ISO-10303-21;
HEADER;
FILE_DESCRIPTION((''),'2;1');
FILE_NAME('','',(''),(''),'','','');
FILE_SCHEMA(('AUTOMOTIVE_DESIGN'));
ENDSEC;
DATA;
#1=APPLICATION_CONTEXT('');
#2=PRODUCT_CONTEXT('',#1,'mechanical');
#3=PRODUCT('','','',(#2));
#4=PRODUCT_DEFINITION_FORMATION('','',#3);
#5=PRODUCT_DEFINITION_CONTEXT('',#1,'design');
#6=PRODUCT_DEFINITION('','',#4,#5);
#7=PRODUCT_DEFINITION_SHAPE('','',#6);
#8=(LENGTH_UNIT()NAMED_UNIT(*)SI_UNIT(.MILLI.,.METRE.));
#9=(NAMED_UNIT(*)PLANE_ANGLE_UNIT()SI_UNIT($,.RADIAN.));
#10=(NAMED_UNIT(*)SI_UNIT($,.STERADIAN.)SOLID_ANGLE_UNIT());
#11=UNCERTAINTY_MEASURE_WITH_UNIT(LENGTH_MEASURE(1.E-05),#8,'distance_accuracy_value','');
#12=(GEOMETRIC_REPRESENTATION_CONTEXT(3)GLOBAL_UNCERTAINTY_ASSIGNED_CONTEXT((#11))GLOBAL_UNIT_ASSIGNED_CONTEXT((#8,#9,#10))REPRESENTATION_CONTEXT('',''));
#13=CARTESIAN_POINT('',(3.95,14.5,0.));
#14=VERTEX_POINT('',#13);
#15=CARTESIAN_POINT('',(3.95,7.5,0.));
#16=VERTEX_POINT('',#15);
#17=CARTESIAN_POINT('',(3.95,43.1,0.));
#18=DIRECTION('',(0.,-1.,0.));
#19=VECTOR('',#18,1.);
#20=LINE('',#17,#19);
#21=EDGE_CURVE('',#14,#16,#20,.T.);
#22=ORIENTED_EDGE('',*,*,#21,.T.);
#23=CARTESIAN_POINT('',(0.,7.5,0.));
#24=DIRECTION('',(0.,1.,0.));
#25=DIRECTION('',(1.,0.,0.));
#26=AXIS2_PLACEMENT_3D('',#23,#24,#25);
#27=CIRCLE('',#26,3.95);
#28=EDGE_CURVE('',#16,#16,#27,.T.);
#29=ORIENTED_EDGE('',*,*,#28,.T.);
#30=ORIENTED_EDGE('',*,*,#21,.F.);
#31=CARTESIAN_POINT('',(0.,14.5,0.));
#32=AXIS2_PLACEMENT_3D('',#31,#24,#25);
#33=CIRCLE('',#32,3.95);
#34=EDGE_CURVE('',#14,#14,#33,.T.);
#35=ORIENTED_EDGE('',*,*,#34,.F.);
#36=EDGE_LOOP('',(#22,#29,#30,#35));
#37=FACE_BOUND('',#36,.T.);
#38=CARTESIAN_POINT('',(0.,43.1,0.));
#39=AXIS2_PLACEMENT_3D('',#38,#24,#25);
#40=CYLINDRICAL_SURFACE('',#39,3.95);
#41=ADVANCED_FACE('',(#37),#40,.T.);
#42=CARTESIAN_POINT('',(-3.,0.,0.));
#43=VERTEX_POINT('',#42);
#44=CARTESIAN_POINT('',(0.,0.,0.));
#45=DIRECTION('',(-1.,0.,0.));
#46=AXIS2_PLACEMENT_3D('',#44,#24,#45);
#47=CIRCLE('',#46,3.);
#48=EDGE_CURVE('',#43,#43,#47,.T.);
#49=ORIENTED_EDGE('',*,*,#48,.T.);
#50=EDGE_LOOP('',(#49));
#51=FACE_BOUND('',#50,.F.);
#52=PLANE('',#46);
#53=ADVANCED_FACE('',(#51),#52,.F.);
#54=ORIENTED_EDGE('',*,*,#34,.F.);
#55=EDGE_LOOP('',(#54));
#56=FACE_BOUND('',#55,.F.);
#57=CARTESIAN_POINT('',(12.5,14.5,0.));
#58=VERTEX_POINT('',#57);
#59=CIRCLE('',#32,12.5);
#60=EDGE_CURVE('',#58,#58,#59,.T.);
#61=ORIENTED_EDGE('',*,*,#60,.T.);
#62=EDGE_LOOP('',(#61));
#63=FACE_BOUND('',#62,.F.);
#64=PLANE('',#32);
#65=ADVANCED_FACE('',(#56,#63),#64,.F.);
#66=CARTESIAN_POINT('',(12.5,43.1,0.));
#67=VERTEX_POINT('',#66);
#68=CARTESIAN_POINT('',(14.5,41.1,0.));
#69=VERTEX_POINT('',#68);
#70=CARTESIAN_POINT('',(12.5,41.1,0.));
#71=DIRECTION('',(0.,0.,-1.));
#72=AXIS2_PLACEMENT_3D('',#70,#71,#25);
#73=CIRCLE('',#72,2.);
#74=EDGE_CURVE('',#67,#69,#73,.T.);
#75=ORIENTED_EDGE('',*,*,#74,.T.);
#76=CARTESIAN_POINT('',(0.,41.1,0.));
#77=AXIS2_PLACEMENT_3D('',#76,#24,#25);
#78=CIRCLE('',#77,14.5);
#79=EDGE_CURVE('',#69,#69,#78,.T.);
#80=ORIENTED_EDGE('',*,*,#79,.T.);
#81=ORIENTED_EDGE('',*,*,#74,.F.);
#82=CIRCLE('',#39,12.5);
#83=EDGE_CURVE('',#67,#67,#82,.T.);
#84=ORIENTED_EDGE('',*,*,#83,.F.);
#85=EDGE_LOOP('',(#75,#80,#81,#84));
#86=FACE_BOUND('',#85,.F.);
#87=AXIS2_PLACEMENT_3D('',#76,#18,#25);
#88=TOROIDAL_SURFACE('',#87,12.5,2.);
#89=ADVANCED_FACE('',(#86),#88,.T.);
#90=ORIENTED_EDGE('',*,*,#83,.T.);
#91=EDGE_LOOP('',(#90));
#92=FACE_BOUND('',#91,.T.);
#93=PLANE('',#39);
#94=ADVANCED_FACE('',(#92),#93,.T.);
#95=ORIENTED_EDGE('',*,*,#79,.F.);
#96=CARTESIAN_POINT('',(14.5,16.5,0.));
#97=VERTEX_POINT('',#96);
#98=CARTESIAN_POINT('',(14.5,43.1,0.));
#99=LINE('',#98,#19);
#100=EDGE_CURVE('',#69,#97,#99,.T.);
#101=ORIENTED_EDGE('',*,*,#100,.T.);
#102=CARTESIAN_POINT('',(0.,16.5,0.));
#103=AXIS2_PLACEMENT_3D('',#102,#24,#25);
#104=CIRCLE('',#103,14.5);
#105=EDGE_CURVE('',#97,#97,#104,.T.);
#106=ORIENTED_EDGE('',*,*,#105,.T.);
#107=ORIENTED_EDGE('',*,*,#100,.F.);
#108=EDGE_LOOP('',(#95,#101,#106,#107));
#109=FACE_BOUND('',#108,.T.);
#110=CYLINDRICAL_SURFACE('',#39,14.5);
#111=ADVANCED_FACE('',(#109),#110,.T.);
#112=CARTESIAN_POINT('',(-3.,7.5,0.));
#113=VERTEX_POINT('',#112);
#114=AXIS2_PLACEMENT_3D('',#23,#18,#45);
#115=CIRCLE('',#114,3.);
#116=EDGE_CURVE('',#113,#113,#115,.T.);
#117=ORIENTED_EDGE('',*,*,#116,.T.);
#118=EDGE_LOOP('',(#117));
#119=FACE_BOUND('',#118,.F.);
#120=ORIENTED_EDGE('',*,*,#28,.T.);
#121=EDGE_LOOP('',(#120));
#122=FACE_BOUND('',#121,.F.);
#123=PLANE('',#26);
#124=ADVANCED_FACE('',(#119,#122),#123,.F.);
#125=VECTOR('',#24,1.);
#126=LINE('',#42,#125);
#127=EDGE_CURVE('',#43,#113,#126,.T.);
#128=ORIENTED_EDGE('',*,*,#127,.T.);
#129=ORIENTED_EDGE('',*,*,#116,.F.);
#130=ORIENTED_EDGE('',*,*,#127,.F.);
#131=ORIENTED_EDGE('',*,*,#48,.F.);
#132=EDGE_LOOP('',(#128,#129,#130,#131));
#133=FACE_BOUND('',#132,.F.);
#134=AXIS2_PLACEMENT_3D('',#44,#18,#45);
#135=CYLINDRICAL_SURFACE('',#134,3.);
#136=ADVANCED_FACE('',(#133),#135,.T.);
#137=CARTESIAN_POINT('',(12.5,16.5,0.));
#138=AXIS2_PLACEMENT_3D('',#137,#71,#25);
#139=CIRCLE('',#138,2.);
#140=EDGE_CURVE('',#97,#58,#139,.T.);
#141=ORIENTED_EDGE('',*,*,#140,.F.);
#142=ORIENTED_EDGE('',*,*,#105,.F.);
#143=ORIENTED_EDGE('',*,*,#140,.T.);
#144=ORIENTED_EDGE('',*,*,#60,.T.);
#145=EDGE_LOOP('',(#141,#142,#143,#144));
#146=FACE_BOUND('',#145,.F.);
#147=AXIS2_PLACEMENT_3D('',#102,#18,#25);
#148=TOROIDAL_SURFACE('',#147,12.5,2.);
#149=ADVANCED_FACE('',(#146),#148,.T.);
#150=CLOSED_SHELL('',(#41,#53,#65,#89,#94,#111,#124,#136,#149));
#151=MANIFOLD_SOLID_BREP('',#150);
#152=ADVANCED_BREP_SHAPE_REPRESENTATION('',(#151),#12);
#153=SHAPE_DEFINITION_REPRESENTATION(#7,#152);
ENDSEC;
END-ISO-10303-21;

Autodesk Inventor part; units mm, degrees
ref_plane "YZ Plane" through (0, 0, 0) normal (1, 0, 0) x (0, 1, 0)
ref_plane "XZ Plane" through (0, 0, 0) normal (0, 1, 0) x (-1, 0, 0)
ref_plane "XY Plane" through (0, 0, 0) normal (0, 0, 1) x (1, 0, 0)
sketch "Sketch1" plane through (0, 0, 0) normal (0, 1, 0) x (-1, 0, 0)
  circle A0 centre (0, 0) radius 3
  dimension "d2" = 6
extrude "Extrusion1" add sketch "Sketch1" along normal blind 43.1
thread "Thread1" size "M6x1" class "6g" standard "ANSI Metric M Profile" length 7.5
sketch "Sketch3" plane through (0, 43.1, 0) normal (0, 1, 0) x (1, 0, 0)
  circle A0 centre (0, 0) radius 14.5
  dimension "d7" = 29
extrude "Extrusion2" add sketch "Sketch3" against normal blind 28.6
sketch "Sketch4" plane through (0, 43.1, 0) normal (0, 1, 0) x (1, 0, 0)
  circle A0 centre (0, 0) radius 3.95
  dimension "d10" = 7.9
extrude "Extrusion3" add sketch "Sketch4" against normal blind 35.6
fillet "Fillet1" radius 2 2 edges at (-14.5, 14.5, 0) (-14.5, 43.1, 0)
properties part number "bldc MOTOR"
